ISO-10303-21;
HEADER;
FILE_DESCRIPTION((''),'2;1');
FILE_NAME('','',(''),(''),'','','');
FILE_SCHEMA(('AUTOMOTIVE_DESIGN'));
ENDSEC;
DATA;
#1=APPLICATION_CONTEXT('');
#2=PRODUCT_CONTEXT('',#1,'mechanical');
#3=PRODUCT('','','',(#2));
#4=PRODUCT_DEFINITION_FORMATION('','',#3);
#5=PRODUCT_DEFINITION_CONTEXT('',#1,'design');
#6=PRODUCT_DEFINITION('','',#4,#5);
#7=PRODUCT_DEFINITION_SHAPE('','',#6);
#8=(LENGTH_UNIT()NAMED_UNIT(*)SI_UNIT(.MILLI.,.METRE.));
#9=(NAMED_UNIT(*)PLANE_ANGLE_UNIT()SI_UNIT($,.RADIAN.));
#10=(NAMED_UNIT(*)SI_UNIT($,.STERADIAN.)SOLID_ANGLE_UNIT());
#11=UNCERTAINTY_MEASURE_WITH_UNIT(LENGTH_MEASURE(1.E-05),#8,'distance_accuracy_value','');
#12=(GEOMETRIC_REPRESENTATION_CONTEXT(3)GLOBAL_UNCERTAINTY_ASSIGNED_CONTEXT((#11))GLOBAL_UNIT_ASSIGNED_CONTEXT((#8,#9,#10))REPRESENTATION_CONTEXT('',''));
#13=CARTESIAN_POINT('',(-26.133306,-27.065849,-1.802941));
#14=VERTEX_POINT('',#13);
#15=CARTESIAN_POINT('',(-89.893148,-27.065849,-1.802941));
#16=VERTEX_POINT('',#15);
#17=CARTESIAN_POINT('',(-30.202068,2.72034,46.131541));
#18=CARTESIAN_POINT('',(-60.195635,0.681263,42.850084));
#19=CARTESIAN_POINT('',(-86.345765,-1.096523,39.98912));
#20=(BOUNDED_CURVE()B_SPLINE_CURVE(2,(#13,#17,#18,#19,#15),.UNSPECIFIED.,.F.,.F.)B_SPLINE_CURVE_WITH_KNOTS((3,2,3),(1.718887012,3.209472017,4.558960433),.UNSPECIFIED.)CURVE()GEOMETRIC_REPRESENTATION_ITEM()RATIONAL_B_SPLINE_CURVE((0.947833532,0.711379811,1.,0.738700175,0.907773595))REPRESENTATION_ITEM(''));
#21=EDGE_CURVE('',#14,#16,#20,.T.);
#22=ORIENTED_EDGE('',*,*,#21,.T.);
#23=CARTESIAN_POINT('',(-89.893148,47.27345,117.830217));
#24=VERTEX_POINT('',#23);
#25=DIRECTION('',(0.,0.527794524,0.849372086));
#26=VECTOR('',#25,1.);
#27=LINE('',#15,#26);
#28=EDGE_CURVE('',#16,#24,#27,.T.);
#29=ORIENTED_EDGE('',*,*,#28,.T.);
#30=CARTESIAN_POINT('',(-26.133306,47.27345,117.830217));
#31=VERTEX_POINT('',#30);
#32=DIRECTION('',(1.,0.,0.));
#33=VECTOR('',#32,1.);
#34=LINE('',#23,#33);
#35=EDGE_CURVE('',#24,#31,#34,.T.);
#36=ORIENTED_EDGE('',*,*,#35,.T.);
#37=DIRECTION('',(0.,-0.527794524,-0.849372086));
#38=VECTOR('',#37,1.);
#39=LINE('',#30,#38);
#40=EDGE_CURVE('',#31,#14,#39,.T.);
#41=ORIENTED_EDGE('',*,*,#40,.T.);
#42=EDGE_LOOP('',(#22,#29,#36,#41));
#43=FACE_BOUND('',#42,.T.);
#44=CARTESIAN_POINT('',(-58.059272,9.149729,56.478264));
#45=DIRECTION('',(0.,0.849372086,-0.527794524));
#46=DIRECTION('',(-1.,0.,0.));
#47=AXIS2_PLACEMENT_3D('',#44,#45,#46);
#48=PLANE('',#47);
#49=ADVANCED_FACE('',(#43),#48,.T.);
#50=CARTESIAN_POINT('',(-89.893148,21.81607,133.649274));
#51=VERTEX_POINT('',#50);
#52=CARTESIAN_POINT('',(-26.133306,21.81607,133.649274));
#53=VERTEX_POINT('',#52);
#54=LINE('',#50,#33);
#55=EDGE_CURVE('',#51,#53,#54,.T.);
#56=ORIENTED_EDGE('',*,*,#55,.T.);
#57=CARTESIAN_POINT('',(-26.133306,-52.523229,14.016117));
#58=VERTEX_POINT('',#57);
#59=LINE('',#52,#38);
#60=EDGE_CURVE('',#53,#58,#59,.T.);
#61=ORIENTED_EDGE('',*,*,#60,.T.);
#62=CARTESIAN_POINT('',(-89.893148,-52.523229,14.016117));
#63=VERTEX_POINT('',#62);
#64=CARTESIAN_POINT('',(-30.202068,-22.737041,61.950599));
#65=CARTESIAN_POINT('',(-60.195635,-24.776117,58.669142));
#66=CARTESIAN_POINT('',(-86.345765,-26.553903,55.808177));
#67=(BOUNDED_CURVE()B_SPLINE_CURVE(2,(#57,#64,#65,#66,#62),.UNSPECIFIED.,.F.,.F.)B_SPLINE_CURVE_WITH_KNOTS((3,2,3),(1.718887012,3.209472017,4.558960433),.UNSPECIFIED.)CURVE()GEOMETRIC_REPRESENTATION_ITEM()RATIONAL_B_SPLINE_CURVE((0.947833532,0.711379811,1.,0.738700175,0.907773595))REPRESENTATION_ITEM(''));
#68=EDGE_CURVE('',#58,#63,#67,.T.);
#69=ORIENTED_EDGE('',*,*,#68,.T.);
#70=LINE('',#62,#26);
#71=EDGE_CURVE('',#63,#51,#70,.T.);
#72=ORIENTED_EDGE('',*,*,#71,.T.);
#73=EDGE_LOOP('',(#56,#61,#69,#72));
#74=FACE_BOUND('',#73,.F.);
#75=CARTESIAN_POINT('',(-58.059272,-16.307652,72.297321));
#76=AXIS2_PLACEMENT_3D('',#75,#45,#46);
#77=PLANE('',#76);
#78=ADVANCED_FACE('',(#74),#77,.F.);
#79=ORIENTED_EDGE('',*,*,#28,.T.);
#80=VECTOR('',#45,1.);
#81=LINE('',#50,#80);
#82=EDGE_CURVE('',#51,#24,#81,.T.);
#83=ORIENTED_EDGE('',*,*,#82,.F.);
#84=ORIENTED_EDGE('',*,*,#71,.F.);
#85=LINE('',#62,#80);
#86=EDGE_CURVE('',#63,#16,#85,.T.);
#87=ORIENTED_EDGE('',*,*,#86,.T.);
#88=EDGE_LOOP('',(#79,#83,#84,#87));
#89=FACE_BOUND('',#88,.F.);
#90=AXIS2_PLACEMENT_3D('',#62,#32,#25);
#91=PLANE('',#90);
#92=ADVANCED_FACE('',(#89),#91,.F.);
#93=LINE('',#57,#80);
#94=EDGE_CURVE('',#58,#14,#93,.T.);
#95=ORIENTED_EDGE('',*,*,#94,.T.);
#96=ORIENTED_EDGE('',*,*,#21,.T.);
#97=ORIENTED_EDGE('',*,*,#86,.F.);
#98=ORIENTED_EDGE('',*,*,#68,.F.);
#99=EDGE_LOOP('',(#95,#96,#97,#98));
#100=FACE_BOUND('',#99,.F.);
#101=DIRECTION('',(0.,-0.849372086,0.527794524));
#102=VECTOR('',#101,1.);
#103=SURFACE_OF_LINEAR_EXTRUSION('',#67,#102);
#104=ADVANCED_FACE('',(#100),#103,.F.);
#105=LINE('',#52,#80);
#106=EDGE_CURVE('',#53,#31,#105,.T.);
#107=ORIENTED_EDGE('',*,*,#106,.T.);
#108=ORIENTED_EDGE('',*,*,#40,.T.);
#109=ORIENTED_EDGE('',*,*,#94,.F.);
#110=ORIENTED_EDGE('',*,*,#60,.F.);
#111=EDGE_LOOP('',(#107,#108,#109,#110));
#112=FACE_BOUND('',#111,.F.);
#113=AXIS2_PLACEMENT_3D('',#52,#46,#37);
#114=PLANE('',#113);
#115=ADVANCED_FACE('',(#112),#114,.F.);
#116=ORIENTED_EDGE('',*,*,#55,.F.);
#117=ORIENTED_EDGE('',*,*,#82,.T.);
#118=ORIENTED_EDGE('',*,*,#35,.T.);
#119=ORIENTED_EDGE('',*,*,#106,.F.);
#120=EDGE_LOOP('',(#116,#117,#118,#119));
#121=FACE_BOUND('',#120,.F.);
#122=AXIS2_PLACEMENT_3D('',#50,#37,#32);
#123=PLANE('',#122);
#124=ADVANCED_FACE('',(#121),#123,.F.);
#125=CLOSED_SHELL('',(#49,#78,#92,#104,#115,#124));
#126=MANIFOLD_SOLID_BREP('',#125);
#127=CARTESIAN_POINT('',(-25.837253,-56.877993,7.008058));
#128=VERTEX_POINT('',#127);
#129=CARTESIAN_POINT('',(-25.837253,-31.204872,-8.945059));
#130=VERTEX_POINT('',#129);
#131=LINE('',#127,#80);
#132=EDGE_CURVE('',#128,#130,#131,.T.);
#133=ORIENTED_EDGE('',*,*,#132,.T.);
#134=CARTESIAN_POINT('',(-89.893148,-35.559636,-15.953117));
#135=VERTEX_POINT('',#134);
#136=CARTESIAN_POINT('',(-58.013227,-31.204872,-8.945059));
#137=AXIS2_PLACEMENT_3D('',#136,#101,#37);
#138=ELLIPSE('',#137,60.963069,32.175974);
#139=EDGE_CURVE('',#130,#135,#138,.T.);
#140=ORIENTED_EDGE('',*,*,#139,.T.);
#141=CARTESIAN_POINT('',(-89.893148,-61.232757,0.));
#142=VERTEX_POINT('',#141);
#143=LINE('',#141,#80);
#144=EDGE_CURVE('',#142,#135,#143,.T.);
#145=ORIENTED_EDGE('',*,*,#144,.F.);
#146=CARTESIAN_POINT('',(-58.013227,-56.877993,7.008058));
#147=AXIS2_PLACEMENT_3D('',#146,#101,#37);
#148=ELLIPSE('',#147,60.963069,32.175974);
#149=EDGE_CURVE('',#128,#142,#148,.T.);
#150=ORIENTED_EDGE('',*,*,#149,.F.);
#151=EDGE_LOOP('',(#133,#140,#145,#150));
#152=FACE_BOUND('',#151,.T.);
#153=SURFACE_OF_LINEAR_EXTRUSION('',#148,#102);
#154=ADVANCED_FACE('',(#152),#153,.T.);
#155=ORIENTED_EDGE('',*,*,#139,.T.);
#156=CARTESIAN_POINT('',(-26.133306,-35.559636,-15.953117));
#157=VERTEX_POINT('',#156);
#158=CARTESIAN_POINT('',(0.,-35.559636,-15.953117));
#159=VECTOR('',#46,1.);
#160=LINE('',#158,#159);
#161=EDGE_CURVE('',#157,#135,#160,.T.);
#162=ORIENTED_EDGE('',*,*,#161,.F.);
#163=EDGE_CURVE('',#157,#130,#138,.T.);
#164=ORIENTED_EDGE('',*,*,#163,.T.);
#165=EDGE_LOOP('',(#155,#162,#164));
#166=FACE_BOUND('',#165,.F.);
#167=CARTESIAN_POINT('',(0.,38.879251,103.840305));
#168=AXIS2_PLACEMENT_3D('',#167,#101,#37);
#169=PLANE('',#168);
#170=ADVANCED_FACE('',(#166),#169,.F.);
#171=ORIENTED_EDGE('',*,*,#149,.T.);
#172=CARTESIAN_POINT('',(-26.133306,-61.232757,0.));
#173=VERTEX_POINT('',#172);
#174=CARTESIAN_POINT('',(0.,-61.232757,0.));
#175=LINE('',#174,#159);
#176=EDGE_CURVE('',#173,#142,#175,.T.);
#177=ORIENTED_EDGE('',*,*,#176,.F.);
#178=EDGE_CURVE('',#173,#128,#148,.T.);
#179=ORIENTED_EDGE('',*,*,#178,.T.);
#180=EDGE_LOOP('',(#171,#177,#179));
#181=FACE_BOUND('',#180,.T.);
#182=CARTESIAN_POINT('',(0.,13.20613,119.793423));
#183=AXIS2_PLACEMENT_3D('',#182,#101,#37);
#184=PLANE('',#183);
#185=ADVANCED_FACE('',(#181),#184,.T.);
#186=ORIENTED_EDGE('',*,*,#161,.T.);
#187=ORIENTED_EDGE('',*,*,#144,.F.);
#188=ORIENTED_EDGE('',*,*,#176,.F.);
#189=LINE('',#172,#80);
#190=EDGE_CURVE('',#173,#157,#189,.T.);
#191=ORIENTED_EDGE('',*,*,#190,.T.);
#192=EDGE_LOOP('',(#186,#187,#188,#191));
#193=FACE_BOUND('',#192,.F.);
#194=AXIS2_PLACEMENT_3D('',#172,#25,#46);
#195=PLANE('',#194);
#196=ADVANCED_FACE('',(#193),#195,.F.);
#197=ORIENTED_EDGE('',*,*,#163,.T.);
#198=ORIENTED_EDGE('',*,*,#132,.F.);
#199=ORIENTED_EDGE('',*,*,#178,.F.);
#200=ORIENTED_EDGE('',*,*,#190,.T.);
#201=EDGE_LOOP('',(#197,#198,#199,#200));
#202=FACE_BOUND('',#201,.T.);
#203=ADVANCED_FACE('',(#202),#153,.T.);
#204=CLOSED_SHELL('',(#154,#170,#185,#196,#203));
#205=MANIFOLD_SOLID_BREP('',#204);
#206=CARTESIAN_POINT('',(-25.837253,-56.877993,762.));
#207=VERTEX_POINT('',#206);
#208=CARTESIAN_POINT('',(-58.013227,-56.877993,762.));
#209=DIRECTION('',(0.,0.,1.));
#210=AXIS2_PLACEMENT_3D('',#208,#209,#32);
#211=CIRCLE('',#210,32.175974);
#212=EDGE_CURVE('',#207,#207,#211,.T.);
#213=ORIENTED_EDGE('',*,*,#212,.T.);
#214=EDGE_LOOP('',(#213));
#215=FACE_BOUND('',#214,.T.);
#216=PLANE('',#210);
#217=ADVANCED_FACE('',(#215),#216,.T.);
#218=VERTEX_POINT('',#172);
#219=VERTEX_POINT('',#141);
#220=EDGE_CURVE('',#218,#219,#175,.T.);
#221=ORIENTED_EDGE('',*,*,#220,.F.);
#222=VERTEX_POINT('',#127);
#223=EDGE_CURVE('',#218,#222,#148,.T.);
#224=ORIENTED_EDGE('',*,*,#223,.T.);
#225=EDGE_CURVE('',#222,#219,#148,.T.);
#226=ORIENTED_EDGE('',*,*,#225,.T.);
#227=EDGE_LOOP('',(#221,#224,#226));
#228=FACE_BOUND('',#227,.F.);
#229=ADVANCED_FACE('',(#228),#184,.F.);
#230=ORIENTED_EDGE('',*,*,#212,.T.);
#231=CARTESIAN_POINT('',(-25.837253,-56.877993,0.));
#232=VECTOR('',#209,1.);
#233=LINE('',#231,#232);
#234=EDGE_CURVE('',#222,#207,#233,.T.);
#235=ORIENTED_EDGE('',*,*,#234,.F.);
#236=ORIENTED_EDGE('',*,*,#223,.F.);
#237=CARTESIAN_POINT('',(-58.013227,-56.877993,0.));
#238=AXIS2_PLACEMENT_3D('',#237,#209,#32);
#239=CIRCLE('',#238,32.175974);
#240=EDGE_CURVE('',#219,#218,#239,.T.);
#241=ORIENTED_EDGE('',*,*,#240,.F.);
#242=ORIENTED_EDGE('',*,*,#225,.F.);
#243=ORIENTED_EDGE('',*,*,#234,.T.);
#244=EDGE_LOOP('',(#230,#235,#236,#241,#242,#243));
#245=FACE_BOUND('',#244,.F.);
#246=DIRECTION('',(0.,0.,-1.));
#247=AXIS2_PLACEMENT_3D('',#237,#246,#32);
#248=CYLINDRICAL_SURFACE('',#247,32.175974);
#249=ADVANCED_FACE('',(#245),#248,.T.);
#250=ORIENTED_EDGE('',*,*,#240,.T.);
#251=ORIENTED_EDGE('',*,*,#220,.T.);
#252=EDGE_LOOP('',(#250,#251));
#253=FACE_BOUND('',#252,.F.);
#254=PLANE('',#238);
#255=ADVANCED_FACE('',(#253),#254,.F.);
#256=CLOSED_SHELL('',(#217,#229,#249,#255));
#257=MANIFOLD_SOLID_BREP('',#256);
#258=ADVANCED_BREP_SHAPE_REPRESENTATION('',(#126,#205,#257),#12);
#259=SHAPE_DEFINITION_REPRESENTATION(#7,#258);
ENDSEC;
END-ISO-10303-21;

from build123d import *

# Parameters (mm, degrees)
F0_R     = 32.1759742661
F1_DEPTH = 762
F3_DEPTH = 146.558
F5_DEPTH = 29.972
F6_DEPTH = 30.226


with BuildPart() as f1:
    # F0 (on Top) → F1 (new body)
    with BuildSketch(Plane.XY):
        with Locations((-58.0132268369, -56.8779930472)):
            Circle(F0_R)
    extrude(amount=F1_DEPTH)

    # F2 (on Right) → F3 (cut)
    with BuildSketch(Plane.YZ):
        Polygon((13.2061298937, 119.7934225202), (-61.2327568233, 0), (13.2061298937, 0), align=None)
    extrude(amount=-F3_DEPTH, mode=Mode.SUBTRACT)


with BuildPart() as f5:
    # F4 (on face) → F5 (new body)
    with BuildSketch(Plane(origin=(0, -44.1753277783, 27.4502735709), x_dir=(-1, 0, 0), z_dir=(0, 0.8493720857, -0.5277945244))):
        with BuildLine():
            Line((26.1333060022, 125.0323653221), (26.1333060022, -15.816574645))
            add(Edge.make_bspline(
                [(26.1333060022, -15.816574645), (30.202068166, 40.6186237964), (60.1956346345, 36.7552322349), (86.3457649102, 33.3869034719), (89.8931476716, -15.816574645)],
                knots=[1.718887012, 1.718887012, 1.718887012, 3.2094720169, 3.2094720169, 4.5589604325, 4.5589604325, 4.5589604325], degree=2, weights=[0.947833532, 0.7113798115, 1, 0.738700175, 0.9077735947]))
            Line((89.8931476716, -15.816574645), (89.8931476716, 125.0323653221))
            Line((89.8931476716, 125.0323653221), (26.1333060022, 125.0323653221))
        make_face()
    extrude(amount=F5_DEPTH)


with BuildPart() as f6:
    # F6 (new): a face of the model
    f6_faces = [f1.part.faces().sort_by_distance(p)[0] for p in [
        (-58.0132268369, -45.5428924502, 25.2494715468),
    ]]
    extrude(f6_faces, amount=F6_DEPTH)


solid = Compound([f1.part, f5.part, f6.part])
